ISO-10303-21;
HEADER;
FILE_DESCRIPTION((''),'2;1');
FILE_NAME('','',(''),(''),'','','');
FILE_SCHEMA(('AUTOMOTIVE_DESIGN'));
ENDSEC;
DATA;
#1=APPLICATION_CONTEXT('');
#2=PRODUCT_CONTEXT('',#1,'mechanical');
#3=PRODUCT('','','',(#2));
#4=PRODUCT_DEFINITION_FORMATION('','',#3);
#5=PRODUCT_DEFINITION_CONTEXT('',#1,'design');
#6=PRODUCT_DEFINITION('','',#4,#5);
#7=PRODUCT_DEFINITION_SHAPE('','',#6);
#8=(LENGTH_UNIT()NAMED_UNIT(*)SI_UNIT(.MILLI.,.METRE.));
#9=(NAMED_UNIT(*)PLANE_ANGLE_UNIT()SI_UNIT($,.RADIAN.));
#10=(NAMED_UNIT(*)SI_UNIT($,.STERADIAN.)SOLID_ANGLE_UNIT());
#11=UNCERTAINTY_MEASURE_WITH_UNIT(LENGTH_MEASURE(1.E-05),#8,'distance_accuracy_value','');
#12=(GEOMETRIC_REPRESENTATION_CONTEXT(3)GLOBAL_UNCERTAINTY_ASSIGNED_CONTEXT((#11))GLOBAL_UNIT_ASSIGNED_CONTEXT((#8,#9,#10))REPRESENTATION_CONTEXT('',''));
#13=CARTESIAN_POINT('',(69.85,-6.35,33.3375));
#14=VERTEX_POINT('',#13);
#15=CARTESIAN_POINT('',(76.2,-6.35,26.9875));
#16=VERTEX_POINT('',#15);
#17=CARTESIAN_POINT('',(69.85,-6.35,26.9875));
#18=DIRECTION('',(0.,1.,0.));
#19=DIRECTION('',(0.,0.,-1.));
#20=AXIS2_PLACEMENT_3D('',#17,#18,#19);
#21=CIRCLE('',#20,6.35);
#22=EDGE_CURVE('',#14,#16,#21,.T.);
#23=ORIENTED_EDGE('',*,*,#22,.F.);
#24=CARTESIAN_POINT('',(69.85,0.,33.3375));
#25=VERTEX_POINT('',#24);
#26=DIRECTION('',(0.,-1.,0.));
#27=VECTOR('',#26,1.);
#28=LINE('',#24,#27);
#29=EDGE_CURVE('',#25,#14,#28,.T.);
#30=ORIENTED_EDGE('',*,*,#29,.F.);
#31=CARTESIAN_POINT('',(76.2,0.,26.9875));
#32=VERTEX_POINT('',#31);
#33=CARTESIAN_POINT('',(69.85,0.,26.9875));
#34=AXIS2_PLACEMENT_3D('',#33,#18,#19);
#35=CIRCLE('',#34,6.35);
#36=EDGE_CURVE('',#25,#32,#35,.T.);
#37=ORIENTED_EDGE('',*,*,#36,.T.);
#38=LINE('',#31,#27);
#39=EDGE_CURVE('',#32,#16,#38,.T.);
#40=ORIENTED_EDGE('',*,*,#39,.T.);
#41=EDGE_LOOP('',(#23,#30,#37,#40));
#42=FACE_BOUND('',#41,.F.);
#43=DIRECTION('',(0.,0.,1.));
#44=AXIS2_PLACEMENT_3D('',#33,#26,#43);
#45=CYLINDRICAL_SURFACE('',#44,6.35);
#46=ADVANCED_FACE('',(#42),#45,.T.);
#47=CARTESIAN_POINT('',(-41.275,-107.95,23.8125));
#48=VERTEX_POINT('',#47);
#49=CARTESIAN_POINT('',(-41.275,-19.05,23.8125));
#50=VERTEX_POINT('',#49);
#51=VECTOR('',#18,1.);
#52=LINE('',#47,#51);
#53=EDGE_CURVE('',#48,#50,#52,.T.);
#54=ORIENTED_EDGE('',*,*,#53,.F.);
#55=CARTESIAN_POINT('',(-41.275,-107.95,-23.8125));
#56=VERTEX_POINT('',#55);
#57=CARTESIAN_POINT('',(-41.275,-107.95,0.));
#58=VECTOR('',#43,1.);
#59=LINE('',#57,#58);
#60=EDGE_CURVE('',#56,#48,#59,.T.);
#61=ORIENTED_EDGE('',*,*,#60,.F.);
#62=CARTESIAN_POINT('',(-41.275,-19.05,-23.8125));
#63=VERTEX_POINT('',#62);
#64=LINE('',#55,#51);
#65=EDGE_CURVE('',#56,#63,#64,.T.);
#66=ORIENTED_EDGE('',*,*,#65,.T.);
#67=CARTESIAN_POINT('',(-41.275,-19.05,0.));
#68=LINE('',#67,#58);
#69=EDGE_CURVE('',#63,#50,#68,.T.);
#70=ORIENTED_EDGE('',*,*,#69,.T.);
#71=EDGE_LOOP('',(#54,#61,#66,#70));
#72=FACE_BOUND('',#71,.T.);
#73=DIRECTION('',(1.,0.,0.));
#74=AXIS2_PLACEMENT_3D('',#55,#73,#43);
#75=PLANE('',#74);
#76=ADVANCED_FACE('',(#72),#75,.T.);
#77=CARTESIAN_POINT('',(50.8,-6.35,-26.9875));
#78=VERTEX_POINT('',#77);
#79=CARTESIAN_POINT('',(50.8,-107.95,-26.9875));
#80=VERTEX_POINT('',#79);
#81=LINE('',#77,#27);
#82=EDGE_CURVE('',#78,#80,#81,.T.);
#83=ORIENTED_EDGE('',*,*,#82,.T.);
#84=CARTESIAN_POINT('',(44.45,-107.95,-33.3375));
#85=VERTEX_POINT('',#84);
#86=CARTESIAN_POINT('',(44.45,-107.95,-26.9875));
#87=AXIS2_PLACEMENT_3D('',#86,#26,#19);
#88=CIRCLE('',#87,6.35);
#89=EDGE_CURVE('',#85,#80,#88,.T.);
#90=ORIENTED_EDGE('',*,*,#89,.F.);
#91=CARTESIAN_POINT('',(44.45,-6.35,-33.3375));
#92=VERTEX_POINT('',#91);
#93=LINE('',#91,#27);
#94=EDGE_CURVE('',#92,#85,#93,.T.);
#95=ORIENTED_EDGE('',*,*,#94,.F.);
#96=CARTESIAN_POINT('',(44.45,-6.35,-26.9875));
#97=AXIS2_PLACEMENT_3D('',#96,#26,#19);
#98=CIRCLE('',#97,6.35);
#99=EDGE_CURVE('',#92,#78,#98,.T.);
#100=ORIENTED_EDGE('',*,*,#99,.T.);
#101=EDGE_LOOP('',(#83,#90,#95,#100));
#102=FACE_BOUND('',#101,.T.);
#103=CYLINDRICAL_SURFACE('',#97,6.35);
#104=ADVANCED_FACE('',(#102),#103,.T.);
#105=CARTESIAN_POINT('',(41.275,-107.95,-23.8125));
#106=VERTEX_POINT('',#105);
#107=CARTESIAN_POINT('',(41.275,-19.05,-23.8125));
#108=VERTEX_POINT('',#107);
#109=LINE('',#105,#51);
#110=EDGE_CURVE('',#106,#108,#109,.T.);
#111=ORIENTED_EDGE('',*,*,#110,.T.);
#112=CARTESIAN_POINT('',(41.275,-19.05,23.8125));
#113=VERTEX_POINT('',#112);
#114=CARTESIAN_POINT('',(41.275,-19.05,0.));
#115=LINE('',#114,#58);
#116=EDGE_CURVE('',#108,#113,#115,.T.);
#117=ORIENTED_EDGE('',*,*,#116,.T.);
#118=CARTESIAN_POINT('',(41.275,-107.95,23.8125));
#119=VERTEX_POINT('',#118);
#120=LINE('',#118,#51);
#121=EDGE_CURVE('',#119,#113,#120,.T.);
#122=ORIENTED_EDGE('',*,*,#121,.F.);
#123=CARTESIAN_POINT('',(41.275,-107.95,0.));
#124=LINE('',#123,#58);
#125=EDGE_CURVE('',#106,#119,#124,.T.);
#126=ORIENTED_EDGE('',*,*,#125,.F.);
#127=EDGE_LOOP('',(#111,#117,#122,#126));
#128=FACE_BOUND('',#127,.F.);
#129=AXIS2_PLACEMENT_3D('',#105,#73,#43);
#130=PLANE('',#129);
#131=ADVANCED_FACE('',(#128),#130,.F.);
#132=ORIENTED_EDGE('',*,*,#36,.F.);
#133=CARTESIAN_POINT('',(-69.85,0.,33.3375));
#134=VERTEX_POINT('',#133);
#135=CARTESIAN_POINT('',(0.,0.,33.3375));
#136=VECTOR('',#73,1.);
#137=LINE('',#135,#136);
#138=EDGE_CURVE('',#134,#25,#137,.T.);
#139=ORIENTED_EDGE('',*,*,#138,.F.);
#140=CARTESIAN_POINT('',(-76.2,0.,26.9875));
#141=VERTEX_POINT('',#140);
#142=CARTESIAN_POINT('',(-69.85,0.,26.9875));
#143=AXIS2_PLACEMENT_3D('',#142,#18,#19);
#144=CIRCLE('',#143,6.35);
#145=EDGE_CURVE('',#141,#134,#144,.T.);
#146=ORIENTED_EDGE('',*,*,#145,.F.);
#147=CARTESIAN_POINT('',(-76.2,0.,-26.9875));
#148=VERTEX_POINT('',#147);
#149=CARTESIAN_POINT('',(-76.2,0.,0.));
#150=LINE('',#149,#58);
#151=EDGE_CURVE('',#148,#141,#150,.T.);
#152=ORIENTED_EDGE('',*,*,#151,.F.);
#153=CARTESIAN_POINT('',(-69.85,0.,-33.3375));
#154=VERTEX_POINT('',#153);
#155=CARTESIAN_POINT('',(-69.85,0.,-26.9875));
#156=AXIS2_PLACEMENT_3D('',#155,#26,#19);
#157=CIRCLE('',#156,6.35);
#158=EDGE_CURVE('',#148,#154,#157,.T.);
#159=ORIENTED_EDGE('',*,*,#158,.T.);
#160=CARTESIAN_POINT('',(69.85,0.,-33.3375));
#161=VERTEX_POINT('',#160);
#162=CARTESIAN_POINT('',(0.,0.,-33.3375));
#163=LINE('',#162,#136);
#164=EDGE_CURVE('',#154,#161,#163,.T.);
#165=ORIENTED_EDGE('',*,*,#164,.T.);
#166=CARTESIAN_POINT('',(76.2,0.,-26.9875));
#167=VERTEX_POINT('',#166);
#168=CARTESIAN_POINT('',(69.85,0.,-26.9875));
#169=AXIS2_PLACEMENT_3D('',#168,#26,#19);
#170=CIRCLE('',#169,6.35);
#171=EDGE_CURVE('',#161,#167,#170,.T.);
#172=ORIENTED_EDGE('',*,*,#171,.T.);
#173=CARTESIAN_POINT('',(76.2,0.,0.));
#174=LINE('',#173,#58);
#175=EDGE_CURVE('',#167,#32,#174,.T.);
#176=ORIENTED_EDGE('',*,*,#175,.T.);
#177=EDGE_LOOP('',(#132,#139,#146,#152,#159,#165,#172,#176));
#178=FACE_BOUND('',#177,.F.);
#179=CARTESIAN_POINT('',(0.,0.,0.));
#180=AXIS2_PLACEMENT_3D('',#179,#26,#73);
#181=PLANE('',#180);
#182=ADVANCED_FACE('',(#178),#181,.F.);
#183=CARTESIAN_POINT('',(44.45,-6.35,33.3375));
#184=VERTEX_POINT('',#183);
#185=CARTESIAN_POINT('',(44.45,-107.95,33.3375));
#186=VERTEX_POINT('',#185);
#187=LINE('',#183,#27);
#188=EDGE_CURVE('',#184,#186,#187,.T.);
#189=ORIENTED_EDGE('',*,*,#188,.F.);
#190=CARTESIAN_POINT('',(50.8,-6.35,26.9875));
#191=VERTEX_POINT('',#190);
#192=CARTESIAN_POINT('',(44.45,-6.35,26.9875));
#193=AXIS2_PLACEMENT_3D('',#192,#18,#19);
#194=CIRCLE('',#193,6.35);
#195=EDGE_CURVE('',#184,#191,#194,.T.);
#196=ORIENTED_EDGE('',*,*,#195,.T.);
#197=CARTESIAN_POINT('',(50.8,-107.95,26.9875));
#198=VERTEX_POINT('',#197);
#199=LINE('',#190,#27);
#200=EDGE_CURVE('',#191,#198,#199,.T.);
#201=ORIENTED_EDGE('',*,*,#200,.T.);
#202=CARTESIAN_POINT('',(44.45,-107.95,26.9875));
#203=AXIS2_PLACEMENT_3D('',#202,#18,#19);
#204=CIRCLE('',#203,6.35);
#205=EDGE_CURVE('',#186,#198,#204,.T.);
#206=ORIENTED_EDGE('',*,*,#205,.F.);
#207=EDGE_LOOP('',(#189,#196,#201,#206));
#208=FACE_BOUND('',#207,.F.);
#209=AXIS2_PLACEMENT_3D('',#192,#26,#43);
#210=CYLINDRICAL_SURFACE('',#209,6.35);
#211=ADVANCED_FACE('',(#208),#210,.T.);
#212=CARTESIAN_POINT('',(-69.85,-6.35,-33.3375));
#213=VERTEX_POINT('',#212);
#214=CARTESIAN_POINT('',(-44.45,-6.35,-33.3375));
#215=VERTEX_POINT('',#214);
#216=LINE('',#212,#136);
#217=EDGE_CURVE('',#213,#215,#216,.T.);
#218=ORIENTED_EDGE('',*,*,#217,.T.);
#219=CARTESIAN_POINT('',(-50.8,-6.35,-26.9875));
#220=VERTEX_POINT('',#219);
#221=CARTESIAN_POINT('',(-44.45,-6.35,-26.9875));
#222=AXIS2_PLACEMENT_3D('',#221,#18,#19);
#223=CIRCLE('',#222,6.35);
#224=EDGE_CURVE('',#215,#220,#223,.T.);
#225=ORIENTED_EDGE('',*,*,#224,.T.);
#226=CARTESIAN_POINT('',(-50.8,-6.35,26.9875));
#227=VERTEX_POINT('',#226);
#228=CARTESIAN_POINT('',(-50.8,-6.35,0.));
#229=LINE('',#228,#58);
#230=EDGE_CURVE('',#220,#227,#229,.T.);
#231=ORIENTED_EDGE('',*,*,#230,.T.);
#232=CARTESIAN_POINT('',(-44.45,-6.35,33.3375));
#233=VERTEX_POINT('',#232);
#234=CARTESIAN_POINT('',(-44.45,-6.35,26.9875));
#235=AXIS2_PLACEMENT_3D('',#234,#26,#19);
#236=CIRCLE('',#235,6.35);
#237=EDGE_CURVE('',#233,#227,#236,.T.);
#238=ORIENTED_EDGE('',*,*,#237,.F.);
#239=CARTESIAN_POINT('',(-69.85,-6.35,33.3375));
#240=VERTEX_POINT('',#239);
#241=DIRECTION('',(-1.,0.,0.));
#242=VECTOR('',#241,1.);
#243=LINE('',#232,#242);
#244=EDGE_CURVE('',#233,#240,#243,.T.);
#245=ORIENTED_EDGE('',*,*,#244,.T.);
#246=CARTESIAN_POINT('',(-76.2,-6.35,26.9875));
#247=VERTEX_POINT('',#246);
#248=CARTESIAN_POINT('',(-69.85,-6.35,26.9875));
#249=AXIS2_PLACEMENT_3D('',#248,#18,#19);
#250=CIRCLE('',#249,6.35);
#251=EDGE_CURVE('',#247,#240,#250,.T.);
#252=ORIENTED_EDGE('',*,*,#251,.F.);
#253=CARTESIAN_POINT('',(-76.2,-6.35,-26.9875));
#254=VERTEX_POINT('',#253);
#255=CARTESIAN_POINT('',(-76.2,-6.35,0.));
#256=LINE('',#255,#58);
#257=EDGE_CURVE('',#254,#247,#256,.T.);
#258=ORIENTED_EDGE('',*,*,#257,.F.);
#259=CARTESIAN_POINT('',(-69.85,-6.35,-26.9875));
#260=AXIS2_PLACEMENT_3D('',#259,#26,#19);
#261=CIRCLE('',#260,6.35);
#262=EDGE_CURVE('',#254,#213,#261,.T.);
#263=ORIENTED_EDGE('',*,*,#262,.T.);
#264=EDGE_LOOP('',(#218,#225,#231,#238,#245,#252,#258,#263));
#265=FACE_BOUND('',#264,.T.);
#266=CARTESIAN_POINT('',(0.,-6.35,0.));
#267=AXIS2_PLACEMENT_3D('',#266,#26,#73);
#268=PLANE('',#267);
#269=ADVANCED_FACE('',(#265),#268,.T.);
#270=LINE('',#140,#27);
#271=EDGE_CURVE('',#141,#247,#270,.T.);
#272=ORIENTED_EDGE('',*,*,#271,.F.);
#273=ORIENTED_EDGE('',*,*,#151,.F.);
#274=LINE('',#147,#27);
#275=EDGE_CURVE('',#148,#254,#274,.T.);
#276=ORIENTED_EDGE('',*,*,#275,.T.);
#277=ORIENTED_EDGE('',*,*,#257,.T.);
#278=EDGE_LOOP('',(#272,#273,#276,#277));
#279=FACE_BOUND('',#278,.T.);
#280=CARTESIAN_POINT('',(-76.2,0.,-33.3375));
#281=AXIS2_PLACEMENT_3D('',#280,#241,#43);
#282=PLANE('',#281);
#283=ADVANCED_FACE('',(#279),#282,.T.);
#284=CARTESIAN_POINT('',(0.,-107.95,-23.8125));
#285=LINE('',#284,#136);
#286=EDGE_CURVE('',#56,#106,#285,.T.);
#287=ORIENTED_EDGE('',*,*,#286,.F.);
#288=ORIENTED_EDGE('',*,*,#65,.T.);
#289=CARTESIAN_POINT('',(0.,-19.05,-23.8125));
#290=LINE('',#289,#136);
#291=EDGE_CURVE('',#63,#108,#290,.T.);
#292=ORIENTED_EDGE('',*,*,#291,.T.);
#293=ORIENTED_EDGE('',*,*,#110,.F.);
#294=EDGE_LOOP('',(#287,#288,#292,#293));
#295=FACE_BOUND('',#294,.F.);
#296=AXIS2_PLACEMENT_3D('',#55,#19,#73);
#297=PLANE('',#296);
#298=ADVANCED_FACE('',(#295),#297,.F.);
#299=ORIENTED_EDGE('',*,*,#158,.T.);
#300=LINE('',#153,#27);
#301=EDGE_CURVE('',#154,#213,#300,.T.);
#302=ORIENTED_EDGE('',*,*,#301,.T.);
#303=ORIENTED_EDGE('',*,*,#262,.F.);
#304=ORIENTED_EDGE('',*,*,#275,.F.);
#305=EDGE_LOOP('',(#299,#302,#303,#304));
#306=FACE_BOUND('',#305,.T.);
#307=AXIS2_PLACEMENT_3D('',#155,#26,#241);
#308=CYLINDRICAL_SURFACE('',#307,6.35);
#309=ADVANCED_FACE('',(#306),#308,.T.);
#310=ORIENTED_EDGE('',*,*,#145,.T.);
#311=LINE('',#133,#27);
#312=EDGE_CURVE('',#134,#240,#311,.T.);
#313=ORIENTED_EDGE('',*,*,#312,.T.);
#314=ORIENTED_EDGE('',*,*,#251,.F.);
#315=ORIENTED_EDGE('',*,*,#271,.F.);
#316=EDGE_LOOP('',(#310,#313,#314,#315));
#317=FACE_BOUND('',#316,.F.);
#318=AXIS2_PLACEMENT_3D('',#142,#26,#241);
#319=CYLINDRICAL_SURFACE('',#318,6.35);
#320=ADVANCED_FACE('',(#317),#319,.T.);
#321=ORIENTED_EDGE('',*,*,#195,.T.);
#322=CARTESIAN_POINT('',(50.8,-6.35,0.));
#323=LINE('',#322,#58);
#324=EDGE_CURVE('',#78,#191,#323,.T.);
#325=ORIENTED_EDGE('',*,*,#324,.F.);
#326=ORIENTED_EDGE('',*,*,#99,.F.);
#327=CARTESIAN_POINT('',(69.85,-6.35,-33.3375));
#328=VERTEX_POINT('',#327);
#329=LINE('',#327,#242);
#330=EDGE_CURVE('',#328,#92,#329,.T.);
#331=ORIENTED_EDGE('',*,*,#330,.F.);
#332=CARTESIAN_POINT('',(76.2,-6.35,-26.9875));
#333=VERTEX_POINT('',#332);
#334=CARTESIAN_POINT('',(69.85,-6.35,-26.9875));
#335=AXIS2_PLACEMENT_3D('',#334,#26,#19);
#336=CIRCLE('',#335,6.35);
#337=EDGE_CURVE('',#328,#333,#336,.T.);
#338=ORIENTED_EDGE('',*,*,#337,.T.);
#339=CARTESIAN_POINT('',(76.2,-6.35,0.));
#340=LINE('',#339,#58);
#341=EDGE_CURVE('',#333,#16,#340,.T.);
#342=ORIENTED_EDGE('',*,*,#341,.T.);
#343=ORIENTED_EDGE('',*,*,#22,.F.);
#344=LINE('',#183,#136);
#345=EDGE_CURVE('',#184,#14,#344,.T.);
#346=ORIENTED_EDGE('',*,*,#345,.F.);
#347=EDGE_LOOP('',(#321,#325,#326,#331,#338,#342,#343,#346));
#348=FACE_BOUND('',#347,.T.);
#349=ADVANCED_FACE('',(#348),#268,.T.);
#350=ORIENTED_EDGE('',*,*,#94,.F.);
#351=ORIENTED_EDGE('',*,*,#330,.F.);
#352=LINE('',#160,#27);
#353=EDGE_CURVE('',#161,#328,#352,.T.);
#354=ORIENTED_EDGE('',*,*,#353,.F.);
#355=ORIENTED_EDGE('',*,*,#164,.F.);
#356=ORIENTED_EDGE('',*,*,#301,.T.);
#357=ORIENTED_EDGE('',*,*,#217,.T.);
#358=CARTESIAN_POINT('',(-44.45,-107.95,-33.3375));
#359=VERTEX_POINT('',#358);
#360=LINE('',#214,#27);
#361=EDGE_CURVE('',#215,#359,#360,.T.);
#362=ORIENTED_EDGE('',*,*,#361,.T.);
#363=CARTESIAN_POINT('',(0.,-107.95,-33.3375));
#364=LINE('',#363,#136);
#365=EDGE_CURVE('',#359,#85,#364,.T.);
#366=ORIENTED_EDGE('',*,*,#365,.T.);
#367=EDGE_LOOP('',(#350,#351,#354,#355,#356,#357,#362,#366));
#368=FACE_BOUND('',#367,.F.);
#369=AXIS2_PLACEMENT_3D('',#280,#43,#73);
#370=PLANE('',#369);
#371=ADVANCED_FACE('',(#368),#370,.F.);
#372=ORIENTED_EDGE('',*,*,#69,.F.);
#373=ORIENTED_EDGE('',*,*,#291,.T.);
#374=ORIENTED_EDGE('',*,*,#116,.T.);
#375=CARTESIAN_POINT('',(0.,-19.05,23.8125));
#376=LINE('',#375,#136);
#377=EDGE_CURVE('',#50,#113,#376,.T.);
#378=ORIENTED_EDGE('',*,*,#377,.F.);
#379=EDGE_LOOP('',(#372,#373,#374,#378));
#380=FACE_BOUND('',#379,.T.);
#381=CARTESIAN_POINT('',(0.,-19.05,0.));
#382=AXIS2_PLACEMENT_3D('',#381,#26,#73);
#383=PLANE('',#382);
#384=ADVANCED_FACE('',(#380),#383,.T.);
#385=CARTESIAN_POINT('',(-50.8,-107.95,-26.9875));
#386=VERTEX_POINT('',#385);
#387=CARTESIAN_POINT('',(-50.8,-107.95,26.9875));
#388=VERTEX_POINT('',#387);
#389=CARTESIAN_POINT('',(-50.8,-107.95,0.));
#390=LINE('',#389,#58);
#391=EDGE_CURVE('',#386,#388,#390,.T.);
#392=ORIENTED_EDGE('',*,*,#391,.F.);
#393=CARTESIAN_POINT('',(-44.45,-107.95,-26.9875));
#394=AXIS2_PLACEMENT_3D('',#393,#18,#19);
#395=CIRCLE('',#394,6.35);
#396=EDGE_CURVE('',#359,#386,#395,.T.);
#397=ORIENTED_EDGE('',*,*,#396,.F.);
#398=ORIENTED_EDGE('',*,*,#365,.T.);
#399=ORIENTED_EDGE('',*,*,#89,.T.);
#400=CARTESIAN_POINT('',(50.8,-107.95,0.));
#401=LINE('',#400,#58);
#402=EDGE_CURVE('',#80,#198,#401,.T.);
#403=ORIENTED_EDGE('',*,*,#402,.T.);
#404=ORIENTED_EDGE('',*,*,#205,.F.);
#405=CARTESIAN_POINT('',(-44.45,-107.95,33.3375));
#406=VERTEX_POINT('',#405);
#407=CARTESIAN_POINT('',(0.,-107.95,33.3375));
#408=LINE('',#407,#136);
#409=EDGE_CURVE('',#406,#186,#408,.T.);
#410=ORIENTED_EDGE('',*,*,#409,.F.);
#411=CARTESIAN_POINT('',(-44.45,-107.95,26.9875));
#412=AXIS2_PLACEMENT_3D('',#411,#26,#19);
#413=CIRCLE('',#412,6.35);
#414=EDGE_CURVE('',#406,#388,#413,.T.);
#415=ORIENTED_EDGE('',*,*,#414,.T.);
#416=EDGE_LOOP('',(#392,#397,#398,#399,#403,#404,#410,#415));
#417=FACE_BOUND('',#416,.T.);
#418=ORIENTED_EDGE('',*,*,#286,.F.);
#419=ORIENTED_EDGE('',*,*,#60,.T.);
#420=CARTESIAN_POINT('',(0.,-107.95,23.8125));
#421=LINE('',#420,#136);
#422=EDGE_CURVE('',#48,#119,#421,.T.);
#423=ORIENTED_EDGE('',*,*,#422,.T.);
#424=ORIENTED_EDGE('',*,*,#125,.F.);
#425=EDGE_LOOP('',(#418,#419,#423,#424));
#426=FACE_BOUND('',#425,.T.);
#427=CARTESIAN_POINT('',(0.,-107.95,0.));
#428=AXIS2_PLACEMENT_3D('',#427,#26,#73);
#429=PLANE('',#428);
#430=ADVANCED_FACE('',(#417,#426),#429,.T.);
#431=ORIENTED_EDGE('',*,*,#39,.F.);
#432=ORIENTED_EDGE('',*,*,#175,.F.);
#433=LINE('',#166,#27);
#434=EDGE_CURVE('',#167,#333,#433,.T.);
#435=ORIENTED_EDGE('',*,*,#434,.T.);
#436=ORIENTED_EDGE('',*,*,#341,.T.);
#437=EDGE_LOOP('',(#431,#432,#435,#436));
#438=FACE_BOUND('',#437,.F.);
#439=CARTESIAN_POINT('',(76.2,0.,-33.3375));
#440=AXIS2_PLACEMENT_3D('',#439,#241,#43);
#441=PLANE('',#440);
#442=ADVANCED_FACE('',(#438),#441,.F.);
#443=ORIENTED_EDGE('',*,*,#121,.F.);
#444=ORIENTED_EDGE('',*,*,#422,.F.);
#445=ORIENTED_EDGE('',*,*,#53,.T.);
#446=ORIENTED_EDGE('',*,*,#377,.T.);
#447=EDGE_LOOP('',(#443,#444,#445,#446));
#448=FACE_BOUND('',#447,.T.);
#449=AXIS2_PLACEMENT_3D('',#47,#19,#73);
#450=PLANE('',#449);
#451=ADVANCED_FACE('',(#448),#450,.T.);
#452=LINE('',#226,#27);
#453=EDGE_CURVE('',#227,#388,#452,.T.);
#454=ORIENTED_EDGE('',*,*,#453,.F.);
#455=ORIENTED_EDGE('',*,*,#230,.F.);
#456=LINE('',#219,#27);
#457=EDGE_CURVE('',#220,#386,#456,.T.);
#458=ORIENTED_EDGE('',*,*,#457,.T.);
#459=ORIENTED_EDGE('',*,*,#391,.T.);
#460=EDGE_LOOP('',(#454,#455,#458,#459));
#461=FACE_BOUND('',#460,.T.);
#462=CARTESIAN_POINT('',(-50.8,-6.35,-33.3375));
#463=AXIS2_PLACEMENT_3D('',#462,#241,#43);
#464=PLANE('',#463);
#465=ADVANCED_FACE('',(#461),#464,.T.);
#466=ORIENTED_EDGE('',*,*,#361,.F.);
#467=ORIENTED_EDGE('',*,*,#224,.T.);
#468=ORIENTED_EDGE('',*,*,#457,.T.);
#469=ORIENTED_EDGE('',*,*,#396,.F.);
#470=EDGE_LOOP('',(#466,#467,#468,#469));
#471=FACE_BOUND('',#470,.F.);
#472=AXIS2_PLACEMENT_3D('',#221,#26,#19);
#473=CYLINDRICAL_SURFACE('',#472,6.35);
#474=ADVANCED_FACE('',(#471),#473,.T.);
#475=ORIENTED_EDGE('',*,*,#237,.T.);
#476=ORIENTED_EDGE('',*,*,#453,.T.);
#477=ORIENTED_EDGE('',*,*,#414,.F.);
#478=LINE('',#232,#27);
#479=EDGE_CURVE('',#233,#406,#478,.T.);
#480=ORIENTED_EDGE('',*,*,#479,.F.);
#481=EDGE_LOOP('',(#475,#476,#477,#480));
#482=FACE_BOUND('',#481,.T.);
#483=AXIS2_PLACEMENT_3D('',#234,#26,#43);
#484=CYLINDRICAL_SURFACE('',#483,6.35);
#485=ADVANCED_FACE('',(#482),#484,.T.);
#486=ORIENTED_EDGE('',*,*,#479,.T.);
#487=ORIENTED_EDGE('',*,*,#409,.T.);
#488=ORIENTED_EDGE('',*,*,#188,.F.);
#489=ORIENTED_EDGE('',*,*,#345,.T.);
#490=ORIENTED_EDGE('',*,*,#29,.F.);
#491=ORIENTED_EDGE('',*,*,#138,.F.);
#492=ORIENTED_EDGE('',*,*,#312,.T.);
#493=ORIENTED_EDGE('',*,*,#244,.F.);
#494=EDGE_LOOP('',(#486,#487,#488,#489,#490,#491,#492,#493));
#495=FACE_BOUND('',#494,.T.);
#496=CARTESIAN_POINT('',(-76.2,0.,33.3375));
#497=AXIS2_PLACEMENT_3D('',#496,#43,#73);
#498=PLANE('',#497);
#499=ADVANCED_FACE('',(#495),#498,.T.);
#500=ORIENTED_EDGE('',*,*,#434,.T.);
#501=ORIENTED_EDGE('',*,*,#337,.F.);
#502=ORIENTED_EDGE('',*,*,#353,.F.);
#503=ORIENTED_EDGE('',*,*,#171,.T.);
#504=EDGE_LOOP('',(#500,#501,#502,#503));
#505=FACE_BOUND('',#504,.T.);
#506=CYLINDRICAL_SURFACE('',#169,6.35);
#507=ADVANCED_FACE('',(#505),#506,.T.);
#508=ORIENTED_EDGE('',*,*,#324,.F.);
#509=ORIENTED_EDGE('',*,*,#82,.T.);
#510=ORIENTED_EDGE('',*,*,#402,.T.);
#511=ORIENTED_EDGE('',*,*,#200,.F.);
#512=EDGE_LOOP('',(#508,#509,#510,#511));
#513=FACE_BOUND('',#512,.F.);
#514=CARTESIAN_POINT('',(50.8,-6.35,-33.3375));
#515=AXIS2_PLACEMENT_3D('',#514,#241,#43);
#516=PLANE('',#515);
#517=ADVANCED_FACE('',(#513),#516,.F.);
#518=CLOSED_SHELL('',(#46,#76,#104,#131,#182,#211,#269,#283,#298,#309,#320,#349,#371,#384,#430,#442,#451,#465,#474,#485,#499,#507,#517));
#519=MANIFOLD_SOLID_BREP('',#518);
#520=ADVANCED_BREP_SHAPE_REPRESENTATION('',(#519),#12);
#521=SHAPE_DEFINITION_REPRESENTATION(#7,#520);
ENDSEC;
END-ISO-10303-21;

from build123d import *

# Parameters (mm, degrees)
F0_W     = 152.4
F0_H     = 66.675
F1_DEPTH = 6.35
F2_W     = 101.6
F2_H     = 66.675
F3_DEPTH = 101.6
F4_R     = 6.35
F5_W     = 82.55
F5_H     = 47.625
F6_DEPTH = 88.9


with BuildPart() as f1:
    # F0 (on Front) → F1 (new body)
    with BuildSketch(Plane.XZ):
        Rectangle(F0_W, F0_H)
    extrude(amount=F1_DEPTH)

    # F2 (on face) → F3 (join)
    with BuildSketch(Plane.XZ.offset(6.35)):
        Rectangle(F2_W, F2_H)
    extrude(amount=F3_DEPTH)

    # F4
    f4_edges = [f1.edges().sort_by_distance(p)[0] for p in [
        (76.2, -3.175, -33.3375),
        (76.2, -3.175, 33.3375),
        (-76.2, -3.175, 33.3375),
        (-76.2, -3.175, -33.3375),
        (50.8, -57.15, -33.3375),
        (50.8, -57.15, 33.3375),
        (-50.8, -57.15, 33.3375),
        (-50.8, -57.15, -33.3375),
    ]]
    fillet(f4_edges, radius=F4_R)

    # F5 (on face) → F6 (cut)
    with BuildSketch(Plane.XZ.offset(107.95)):
        Rectangle(F5_W, F5_H)
    extrude(amount=-F6_DEPTH, mode=Mode.SUBTRACT)


solid = f1.part
